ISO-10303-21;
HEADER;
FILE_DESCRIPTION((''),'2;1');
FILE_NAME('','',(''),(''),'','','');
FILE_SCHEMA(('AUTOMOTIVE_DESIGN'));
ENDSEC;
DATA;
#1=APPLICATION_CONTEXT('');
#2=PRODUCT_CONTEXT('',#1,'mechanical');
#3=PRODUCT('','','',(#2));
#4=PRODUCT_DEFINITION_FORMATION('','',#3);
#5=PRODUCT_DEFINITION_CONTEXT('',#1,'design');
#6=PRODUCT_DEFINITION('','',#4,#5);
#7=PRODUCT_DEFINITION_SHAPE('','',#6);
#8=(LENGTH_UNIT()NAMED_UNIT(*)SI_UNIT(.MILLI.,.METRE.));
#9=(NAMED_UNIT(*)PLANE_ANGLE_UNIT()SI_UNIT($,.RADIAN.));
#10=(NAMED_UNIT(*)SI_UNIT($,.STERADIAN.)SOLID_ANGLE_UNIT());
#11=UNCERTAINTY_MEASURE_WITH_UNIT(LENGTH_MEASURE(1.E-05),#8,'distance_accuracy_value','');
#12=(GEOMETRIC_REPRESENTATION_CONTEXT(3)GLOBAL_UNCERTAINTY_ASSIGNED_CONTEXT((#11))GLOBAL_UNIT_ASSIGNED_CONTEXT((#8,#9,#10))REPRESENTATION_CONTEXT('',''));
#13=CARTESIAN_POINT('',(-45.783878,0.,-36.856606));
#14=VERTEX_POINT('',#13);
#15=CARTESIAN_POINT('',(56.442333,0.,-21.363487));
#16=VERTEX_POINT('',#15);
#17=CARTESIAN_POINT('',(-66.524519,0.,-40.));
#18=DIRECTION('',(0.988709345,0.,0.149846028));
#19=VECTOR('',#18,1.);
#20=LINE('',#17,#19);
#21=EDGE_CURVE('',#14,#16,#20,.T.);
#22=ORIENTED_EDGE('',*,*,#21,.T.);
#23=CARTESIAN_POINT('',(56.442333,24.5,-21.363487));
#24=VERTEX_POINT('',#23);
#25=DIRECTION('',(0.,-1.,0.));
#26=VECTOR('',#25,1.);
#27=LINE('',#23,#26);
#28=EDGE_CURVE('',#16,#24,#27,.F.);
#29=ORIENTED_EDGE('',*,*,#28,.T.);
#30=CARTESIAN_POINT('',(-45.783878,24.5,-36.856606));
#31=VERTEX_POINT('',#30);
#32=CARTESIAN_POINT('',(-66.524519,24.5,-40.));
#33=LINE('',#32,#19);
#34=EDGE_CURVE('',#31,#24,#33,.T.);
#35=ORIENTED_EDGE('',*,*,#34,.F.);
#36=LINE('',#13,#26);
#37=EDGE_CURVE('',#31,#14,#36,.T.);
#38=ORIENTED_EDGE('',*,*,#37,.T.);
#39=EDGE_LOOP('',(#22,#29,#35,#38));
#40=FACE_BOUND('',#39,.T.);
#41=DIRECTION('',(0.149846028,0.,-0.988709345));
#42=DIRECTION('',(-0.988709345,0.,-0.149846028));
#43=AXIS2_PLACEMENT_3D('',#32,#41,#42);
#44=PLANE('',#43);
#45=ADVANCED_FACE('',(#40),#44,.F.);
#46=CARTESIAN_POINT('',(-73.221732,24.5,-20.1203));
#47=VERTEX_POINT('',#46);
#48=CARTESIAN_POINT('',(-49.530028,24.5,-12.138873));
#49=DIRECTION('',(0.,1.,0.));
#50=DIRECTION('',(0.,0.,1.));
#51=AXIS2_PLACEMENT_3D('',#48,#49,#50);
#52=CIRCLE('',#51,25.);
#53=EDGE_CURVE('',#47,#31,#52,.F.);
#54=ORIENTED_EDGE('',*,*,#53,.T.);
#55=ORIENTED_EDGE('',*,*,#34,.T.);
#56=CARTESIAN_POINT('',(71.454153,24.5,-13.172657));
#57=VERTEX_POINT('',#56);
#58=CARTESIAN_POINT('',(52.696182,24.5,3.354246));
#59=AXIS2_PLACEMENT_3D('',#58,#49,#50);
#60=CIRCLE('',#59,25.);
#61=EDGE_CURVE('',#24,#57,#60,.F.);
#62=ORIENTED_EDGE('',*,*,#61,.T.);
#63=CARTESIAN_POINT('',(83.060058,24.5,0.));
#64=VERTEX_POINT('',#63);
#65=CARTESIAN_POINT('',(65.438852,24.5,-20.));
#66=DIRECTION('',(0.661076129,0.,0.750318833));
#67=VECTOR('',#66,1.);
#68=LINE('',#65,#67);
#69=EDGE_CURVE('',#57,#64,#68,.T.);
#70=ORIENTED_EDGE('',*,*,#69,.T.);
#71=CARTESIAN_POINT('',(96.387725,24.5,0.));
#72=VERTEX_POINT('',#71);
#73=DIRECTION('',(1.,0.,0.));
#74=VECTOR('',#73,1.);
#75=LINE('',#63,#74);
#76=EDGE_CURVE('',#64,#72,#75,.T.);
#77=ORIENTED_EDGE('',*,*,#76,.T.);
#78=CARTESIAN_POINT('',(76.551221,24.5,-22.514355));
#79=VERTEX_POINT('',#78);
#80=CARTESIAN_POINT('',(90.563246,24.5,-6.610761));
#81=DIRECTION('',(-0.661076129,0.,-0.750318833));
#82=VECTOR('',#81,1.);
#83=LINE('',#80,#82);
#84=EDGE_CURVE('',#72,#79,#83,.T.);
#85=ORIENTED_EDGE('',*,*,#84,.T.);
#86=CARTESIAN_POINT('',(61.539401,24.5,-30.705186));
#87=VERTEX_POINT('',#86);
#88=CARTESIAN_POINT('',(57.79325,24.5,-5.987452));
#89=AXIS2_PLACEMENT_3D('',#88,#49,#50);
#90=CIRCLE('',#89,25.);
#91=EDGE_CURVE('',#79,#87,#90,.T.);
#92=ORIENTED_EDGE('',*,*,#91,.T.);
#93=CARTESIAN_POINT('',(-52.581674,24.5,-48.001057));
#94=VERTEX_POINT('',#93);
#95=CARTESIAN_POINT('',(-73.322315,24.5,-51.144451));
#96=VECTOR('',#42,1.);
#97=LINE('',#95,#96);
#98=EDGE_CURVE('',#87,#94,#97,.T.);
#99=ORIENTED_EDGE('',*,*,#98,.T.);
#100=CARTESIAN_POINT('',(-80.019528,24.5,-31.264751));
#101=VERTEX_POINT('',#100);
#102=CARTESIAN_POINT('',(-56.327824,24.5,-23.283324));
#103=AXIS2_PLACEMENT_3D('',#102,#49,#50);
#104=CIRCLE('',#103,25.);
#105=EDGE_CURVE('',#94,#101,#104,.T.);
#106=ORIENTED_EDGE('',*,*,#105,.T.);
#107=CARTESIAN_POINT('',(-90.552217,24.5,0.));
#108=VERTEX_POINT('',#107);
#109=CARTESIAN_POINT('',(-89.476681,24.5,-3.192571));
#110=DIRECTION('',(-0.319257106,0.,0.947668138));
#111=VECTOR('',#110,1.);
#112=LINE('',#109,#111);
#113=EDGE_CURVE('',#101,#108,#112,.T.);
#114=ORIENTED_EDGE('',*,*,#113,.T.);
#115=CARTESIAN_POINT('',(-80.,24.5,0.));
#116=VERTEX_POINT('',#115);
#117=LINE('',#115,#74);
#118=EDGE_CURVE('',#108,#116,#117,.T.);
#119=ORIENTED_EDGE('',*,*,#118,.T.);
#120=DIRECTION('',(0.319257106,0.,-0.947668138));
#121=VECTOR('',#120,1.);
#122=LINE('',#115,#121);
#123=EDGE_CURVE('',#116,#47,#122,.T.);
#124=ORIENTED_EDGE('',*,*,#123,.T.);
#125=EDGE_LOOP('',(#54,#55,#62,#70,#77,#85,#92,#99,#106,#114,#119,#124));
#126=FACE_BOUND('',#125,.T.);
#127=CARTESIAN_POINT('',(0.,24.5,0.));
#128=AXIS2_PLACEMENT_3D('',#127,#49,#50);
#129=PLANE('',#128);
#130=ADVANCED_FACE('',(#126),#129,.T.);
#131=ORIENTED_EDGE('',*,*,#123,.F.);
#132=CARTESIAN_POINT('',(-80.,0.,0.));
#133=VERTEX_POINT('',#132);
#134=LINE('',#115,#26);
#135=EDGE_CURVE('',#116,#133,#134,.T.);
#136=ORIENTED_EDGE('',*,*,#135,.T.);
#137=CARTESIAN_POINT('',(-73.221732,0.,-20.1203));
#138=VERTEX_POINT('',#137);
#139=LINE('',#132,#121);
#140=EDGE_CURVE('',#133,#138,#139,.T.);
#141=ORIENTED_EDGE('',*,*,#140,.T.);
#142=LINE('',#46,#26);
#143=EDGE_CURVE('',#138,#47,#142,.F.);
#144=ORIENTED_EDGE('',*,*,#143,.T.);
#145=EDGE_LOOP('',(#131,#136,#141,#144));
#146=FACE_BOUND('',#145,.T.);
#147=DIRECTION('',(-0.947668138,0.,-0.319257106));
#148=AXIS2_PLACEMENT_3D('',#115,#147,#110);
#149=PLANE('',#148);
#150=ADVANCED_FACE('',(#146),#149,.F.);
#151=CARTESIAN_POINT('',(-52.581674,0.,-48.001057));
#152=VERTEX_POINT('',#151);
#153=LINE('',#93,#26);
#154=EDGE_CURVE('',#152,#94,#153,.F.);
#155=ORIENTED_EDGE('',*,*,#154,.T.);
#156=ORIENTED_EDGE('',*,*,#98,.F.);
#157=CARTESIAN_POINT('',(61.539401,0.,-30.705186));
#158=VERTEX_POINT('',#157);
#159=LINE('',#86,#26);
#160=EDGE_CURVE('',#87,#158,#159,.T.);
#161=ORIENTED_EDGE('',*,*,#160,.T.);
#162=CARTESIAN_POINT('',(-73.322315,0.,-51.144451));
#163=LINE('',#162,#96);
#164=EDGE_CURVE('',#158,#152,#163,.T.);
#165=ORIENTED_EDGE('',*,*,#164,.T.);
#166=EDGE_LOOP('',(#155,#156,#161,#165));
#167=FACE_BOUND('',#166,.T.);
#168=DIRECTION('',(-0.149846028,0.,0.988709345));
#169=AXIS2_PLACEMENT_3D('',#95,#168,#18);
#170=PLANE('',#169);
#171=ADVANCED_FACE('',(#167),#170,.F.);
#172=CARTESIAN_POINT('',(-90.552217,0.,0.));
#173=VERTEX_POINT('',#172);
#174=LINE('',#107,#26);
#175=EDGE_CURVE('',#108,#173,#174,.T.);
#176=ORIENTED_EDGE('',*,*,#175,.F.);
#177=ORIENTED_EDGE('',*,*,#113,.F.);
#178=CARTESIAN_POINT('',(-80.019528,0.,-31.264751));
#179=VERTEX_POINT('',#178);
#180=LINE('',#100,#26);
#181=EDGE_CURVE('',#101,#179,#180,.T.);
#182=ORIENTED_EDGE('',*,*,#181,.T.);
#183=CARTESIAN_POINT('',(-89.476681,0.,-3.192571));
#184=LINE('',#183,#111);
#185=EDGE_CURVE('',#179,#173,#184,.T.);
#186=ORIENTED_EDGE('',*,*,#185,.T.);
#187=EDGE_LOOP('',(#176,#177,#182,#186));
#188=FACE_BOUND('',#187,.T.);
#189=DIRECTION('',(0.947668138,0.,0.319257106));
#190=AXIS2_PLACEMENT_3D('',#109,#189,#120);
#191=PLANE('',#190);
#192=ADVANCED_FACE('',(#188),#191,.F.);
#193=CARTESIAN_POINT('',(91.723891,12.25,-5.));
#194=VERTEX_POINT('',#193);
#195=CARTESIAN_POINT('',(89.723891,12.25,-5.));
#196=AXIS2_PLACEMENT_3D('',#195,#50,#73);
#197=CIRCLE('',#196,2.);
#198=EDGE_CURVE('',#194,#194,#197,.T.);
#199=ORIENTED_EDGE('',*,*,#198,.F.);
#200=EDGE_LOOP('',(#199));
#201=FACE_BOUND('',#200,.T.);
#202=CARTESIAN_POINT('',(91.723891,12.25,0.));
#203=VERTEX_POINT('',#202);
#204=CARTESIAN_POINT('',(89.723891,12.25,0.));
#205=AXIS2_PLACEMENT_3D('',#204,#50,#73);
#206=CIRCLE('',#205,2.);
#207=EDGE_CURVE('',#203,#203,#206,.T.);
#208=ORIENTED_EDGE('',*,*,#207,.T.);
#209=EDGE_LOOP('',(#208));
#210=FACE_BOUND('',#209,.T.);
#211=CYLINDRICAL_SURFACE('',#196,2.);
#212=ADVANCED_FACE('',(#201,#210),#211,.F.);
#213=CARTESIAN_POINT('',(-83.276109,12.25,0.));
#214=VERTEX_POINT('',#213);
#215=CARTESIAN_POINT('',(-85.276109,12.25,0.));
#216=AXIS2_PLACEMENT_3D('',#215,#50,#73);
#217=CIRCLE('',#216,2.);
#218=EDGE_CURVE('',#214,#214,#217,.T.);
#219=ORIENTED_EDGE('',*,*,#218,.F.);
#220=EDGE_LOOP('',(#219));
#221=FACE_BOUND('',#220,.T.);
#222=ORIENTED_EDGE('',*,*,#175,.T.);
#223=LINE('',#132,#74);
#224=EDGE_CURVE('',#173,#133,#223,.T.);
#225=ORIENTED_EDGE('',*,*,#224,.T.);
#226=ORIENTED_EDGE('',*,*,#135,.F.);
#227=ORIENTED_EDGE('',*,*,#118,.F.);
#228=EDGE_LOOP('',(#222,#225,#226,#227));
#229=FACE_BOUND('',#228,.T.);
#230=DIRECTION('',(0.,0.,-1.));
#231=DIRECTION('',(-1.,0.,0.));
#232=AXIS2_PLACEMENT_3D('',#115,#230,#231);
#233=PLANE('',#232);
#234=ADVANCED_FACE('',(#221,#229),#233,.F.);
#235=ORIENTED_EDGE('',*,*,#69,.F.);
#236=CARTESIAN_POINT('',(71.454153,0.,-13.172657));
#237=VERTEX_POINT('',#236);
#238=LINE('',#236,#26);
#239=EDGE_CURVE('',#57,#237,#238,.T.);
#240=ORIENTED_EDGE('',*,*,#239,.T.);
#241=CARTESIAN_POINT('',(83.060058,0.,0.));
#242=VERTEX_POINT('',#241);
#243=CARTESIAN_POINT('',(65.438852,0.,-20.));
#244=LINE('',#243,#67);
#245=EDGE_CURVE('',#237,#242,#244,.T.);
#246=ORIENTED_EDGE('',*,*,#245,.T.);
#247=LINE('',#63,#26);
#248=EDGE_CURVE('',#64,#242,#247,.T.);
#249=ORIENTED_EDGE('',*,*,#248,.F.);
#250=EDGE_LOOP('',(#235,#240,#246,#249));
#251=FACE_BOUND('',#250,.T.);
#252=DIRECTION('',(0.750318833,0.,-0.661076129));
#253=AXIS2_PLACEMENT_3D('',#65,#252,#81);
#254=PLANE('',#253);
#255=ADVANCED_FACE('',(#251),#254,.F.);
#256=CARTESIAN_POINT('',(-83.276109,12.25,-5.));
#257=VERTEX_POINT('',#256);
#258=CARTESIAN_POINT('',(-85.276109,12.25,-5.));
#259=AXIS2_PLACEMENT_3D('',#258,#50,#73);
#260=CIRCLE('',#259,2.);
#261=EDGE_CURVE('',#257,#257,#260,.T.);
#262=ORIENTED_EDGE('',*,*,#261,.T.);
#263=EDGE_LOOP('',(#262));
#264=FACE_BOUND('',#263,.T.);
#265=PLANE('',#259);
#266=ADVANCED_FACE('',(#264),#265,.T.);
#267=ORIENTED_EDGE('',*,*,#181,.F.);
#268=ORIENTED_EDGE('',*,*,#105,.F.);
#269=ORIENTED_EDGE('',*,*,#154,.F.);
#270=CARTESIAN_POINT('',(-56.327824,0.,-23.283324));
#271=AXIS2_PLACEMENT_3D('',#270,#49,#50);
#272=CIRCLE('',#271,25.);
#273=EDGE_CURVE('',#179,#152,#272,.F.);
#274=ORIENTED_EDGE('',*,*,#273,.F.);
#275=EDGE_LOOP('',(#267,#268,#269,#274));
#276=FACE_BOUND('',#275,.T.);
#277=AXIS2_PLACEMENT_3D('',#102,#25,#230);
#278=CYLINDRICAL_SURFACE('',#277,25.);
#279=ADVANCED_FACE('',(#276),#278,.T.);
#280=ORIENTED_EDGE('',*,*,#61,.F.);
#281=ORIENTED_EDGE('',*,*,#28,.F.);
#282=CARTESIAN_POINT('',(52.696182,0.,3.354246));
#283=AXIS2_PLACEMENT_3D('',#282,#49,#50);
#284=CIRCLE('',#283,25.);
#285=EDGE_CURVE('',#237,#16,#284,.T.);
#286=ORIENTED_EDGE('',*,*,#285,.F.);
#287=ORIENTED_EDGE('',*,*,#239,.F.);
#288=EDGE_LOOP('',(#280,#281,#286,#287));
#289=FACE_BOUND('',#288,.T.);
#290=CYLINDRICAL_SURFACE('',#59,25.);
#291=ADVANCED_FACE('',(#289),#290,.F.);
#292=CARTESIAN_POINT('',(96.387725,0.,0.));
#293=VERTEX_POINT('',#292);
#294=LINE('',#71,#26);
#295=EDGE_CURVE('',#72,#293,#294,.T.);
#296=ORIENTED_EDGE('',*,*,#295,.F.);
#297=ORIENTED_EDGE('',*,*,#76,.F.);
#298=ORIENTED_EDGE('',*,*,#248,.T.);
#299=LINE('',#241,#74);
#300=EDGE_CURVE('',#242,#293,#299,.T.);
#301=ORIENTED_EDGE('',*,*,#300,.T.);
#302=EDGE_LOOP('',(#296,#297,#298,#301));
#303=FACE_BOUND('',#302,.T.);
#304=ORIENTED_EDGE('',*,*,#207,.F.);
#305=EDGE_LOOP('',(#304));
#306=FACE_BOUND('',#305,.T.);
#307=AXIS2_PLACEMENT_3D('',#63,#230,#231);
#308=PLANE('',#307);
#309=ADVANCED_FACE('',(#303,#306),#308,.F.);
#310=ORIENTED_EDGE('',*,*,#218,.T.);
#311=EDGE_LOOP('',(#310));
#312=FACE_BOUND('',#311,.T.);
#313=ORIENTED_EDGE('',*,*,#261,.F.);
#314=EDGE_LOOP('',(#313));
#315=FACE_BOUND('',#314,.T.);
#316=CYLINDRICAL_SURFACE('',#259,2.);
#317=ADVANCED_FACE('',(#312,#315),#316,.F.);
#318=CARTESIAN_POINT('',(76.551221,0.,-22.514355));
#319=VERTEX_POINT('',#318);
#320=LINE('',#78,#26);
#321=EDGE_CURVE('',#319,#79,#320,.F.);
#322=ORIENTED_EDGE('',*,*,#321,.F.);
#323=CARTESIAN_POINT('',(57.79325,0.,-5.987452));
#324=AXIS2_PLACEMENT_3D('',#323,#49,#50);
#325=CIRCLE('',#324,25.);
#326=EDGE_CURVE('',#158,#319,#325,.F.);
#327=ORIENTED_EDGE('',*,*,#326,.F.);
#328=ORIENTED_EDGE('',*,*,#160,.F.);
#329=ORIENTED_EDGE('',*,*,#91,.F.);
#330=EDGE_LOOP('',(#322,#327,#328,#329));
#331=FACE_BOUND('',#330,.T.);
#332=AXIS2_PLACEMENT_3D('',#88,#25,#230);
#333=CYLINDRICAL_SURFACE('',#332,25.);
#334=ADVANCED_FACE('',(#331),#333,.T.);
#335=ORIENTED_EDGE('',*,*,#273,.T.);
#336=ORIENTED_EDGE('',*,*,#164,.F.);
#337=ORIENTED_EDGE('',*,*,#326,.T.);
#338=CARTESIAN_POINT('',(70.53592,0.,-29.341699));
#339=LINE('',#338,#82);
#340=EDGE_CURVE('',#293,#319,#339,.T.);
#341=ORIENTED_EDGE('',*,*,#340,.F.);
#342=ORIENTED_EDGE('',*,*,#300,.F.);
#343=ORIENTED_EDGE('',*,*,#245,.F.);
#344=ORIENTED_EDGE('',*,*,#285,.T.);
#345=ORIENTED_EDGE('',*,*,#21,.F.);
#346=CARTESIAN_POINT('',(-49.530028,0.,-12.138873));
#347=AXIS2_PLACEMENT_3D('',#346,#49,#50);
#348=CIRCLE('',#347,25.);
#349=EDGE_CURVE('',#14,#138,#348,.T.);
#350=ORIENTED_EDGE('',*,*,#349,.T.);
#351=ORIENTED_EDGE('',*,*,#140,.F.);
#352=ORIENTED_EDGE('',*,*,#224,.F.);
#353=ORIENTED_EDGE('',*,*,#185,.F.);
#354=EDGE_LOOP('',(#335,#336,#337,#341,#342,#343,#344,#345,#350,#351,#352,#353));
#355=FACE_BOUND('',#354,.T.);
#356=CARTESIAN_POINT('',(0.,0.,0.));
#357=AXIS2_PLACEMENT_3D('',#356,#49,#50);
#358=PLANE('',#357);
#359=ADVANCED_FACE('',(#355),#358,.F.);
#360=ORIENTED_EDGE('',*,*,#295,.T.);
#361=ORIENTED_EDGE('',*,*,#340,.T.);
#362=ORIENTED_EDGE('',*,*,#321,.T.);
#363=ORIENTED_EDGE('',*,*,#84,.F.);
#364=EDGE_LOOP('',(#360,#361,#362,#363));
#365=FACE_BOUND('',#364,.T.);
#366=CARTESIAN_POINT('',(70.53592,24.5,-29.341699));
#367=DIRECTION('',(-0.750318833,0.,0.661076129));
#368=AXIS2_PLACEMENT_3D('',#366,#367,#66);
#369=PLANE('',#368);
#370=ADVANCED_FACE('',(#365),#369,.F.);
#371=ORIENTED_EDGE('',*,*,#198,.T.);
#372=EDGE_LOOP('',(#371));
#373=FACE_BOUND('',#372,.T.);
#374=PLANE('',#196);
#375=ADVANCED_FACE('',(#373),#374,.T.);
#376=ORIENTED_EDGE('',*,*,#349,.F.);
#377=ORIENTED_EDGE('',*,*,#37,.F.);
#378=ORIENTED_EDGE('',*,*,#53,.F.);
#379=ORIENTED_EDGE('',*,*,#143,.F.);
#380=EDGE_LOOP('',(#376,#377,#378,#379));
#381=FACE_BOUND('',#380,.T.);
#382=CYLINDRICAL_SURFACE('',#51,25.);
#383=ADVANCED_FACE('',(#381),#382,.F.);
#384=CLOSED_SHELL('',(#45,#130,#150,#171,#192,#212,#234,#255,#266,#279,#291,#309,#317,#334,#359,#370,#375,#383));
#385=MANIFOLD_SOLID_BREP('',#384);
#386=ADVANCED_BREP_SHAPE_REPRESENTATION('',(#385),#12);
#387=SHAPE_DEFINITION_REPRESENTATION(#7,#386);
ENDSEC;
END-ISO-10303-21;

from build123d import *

# Parameters (mm, degrees)
EXTRUDE_1_DEPTH     = 24.5
FILLET_1_R          = 25
SKETCH_2_R          = 2
CUT_EXTRUDE_1_DEPTH = 5


with BuildPart() as part:
    # 草图1 → 凸台-拉伸1 (new body)
    with BuildSketch(Plane(origin=(0, 0, 0), x_dir=(1, 0, 0), z_dir=(0, 1, 0))):
        Polygon((-80, 0), (-66.524518745, 40), (65.438851804, 20), (83.060057617, 0), (96.387725214, 0), (90.563245948, 6.610761292), (70.535919799, 29.341698507), (-73.32231493, 51.144450912), (-89.476681383, 3.192571058), (-90.552217169, 0), align=None)
    extrude(amount=EXTRUDE_1_DEPTH)

    # 圆角1
    fillet_1_edges = [part.edges().sort_by_distance(p)[0] for p in [
        (-73.32231493, 12.25, -51.144450912),
        (70.535919799, 12.25, -29.341698507),
        (65.438851804, 12.25, -20),
        (-66.524518745, 12.25, -40),
    ]]
    fillet(fillet_1_edges, radius=FILLET_1_R)

    # 草图2 → 切除-拉伸1 (cut)
    with BuildSketch(Plane.XY):
        with Locations((-85.276108585, 12.25)):
            Circle(SKETCH_2_R)
        with Locations((89.723891415, 12.25)):
            Circle(SKETCH_2_R)
    extrude(amount=-CUT_EXTRUDE_1_DEPTH, mode=Mode.SUBTRACT)


solid = part.part
